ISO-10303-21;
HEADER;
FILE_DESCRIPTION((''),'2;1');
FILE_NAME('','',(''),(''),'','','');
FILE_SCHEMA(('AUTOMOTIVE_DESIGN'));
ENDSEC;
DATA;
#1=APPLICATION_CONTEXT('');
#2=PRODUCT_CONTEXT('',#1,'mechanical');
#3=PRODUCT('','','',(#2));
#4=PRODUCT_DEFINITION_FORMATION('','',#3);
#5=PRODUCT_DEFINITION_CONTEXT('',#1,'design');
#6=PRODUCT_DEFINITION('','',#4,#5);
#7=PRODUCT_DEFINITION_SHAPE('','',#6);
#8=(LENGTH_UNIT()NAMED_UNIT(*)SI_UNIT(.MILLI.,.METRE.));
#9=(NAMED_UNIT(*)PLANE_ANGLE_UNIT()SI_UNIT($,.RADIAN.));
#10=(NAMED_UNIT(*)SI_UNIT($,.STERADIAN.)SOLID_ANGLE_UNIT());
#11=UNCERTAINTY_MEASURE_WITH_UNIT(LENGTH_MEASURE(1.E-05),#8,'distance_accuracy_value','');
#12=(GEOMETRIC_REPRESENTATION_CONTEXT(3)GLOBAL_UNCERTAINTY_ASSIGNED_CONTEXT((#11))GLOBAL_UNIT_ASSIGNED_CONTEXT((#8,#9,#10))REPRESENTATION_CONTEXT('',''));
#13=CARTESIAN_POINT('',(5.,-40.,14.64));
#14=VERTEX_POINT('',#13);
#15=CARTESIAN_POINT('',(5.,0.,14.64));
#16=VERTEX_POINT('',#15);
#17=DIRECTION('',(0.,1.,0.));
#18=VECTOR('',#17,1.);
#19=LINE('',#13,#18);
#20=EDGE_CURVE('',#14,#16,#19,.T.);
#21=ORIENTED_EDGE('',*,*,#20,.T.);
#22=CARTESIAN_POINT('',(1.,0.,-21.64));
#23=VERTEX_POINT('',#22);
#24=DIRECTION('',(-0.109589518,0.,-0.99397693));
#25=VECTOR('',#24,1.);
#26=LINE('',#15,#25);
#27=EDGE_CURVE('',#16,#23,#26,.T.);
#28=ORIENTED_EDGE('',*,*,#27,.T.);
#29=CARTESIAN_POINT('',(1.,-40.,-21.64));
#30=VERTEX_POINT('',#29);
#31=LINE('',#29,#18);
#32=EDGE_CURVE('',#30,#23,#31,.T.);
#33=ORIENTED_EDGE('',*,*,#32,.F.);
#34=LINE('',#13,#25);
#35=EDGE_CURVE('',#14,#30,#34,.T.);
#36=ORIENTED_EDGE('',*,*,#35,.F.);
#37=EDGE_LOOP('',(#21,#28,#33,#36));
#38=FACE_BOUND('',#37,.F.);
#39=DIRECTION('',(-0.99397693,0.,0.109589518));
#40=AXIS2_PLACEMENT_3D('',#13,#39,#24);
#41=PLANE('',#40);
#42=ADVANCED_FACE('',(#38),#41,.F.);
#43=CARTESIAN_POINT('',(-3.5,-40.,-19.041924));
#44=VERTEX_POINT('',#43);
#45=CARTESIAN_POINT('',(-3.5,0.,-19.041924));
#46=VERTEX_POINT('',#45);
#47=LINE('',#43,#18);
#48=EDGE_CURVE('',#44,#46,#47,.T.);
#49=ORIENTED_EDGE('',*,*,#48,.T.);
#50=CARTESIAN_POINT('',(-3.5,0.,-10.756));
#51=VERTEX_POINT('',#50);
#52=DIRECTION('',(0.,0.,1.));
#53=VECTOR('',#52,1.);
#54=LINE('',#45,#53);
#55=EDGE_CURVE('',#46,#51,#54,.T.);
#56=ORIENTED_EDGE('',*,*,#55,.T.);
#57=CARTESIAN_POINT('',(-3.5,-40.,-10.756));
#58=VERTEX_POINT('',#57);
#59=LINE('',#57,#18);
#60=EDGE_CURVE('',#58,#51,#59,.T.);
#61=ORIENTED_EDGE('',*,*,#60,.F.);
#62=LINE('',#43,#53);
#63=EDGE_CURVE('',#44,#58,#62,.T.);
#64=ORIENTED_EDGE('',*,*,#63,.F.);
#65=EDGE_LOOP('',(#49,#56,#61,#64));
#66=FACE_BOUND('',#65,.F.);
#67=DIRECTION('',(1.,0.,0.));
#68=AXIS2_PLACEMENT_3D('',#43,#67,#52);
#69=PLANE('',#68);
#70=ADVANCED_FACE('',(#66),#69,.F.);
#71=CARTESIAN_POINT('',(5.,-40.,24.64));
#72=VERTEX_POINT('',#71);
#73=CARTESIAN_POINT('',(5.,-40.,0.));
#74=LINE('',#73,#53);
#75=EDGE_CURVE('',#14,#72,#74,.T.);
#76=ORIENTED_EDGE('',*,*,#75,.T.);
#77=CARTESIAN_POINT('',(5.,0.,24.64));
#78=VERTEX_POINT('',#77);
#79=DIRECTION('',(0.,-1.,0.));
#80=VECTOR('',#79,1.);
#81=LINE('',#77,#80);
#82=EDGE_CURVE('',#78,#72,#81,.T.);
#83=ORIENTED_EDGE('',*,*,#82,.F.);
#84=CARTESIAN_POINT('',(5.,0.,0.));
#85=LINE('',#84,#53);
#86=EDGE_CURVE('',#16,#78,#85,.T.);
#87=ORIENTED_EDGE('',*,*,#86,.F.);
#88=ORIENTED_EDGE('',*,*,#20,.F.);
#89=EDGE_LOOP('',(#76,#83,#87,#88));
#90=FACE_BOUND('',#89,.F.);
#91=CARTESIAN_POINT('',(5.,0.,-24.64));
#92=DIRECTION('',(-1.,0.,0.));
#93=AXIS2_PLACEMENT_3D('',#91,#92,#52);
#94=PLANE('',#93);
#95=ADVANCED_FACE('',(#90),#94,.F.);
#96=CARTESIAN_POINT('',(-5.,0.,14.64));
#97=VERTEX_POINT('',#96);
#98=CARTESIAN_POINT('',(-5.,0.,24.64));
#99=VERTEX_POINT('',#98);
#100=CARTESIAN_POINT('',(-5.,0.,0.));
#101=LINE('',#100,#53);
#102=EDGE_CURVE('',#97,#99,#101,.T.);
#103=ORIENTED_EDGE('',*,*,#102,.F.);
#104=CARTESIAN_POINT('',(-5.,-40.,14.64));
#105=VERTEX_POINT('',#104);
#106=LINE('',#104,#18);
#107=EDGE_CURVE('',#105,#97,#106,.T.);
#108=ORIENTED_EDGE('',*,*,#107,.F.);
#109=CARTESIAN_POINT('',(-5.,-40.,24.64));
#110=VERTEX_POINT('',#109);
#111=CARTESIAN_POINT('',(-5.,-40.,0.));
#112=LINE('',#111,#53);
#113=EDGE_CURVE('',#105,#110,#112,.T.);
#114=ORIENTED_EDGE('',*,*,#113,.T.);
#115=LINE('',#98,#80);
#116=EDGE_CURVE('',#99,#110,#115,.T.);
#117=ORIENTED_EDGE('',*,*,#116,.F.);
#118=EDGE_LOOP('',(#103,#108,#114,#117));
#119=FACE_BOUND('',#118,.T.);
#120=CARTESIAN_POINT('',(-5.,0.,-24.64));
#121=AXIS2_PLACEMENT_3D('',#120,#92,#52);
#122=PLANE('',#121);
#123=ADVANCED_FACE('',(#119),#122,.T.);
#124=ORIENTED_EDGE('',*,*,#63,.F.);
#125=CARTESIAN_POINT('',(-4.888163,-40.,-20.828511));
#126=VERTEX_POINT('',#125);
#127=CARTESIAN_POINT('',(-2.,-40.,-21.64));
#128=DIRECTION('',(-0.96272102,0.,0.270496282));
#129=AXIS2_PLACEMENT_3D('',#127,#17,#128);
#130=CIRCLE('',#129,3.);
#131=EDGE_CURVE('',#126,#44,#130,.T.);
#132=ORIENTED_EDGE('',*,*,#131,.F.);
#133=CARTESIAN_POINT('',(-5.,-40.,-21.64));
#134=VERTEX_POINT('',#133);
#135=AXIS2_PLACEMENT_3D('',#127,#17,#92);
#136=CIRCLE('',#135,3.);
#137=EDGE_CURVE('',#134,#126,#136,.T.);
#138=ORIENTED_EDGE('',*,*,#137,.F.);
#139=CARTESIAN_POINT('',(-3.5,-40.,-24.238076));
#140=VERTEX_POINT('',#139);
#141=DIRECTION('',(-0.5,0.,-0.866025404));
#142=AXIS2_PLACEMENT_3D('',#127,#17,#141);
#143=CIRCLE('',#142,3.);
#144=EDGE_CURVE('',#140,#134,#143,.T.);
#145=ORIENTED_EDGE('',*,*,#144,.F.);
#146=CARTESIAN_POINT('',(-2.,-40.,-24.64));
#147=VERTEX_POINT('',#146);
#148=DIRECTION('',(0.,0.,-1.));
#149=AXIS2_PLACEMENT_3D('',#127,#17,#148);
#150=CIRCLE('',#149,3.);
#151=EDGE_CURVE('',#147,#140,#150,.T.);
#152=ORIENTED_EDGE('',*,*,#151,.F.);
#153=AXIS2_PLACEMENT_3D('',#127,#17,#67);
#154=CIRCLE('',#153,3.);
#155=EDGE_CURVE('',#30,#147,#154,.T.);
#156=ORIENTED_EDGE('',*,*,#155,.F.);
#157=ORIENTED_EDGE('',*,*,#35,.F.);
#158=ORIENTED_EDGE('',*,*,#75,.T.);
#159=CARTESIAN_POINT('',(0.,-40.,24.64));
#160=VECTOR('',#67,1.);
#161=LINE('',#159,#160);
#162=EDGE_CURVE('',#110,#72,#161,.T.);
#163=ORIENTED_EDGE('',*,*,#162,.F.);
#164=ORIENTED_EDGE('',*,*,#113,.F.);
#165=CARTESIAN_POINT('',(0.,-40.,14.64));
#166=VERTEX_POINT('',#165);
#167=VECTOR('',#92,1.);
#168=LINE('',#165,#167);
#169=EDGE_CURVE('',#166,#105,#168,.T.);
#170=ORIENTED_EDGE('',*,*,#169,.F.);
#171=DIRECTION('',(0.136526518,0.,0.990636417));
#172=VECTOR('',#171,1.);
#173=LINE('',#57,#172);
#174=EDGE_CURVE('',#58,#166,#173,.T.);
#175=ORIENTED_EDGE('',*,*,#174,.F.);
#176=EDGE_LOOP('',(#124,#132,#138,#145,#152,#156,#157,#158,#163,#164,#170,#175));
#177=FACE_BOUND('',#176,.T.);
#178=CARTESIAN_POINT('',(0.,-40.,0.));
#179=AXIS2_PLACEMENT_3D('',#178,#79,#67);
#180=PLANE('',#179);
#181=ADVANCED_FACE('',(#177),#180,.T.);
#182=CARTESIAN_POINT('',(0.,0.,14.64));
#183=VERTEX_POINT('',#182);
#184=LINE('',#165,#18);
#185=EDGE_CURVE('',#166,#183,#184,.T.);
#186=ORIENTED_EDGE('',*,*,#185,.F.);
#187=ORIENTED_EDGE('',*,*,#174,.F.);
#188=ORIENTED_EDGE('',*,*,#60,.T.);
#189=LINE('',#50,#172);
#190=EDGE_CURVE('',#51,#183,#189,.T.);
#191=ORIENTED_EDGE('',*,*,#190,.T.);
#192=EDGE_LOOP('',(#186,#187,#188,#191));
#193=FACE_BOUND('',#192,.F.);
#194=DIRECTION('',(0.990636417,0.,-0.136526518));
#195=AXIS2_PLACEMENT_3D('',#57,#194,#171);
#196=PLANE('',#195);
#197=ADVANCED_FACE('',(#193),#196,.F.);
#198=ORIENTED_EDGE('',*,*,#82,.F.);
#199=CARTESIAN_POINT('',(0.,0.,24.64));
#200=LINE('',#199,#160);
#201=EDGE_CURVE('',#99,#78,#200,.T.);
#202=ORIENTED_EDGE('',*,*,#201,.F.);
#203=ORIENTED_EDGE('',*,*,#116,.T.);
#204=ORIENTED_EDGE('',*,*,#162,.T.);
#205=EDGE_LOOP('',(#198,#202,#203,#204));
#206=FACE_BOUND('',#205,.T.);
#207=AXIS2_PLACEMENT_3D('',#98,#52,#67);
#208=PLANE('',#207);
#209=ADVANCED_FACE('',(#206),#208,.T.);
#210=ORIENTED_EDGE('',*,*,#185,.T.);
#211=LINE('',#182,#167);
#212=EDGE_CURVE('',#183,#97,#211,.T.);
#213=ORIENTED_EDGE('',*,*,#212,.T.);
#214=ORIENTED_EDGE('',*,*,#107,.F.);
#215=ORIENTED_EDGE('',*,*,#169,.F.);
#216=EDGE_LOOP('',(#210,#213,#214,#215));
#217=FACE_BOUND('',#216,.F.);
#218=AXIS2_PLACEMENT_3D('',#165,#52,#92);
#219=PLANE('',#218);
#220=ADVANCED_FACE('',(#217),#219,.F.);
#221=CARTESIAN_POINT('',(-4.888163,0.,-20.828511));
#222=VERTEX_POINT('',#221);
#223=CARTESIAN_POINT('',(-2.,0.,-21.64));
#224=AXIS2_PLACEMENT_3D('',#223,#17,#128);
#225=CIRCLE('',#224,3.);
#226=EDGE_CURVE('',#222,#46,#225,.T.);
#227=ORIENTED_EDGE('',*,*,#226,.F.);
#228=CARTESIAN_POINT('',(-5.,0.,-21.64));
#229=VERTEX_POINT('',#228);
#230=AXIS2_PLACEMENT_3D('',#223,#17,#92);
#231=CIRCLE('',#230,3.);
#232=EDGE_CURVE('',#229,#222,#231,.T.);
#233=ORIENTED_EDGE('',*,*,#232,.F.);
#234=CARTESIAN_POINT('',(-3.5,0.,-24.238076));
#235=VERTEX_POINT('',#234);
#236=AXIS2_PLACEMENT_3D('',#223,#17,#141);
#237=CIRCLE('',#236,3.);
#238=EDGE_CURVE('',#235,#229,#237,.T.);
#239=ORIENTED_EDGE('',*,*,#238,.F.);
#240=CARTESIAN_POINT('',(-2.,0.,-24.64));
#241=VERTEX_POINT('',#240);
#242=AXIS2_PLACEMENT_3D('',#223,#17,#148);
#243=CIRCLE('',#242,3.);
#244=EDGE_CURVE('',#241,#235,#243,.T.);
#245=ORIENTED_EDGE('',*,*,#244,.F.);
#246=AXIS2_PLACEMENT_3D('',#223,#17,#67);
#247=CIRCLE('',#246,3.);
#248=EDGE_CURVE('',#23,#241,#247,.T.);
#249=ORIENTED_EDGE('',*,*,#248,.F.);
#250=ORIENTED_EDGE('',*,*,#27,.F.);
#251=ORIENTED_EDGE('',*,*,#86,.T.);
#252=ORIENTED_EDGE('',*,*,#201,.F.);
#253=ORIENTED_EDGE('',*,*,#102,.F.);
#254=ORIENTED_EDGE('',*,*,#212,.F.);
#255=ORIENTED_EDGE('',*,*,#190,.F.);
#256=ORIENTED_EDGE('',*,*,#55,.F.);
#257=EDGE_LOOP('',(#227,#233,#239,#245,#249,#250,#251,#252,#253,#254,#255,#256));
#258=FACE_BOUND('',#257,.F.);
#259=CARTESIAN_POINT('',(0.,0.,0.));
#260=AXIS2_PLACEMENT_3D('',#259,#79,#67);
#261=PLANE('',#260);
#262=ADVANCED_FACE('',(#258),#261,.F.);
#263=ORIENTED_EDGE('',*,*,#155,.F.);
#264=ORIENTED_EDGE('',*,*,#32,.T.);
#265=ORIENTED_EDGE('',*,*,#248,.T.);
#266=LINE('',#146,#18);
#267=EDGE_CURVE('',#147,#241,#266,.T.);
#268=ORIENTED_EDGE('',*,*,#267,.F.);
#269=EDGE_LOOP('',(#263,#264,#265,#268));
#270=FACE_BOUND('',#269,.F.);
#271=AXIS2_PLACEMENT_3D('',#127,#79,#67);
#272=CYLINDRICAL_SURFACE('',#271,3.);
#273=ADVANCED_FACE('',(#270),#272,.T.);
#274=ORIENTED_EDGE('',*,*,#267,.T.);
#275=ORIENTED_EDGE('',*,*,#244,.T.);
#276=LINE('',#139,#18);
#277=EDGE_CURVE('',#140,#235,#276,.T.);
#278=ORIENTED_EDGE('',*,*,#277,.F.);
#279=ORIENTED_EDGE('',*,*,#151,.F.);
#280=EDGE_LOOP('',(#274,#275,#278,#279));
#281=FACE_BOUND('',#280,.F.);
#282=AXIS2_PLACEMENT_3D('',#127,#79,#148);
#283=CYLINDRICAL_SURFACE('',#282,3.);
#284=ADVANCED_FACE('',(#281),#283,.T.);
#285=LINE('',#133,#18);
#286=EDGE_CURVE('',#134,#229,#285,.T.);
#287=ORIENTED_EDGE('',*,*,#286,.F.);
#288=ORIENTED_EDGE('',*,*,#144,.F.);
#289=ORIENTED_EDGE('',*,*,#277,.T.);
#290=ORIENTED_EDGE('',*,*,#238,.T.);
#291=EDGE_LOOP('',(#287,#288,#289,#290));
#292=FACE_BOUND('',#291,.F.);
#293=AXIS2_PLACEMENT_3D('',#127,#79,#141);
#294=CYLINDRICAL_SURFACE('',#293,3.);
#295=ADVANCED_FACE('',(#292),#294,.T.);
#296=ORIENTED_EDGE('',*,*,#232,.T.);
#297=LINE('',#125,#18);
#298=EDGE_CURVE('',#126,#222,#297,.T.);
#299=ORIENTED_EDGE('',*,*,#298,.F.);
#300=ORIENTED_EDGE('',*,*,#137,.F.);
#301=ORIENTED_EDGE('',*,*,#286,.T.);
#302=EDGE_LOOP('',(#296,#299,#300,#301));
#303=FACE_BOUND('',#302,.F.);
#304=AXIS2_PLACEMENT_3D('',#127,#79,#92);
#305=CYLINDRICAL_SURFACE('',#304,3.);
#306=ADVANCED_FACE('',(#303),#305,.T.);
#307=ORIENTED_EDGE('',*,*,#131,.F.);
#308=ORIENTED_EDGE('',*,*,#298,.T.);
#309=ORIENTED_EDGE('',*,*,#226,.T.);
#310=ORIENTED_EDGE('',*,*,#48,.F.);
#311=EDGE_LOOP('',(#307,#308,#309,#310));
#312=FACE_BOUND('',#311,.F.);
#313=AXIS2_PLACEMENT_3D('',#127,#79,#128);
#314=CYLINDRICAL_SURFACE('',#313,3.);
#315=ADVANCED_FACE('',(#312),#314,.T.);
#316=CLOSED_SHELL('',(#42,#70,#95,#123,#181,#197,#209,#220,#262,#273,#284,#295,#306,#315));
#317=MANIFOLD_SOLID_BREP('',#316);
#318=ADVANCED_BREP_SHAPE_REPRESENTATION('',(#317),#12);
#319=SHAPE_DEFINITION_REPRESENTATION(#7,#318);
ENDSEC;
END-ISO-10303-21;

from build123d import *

# Parameters (mm, degrees)
F0_W     = 10
F0_H     = 49.28
F1_DEPTH = 40
F3_DEPTH = 40


with BuildPart() as f1:
    # F0 (on Front) → F1 (new body)
    with BuildSketch(Plane.XZ):
        Rectangle(F0_W, F0_H)
    extrude(amount=F1_DEPTH)

    # F2 (on face) → F3 (cut)
    with BuildSketch(Plane.XZ.offset(40)):
        with BuildLine():
            Line((5, -24.64), (5, 14.64))
            Line((5, 14.64), (1, -21.64))
            ThreePointArc((1, -21.64), (0.1213203436, -23.7613203436), (-2, -24.64))
            Line((-2, -24.64), (5, -24.64))
        make_face()
        with BuildLine():
            ThreePointArc((-3.5, -24.2380762114), (-4.5980762114, -23.14), (-5, -21.64))
            add(Edge.make_bspline(
                [(-5, -21.64), (-5, -22.64), (-5, -23.64), (-5, -24.64)],
                knots=[36.28, 36.28, 36.28, 36.28, 39.28, 39.28, 39.28, 39.28], degree=3))
            Line((-5, -24.64), (-3.5, -24.64))
            Line((-3.5, -24.64), (-3.5, -24.2380762114))
        make_face()
        with BuildLine():
            ThreePointArc((-2, -24.64), (-2.7764571353, -24.5377774789), (-3.5, -24.2380762114))
            Line((-3.5, -24.2380762114), (-3.5, -24.64))
            Line((-3.5, -24.64), (-2, -24.64))
        make_face()
        with BuildLine():
            Line((-3.5, -10.756), (-4.8881630589, -20.8285111551))
            ThreePointArc((-4.8881630589, -20.8285111551), (-4.3689591306, -19.7993390758), (-3.5, -19.0419237886))
            Line((-3.5, -19.0419237886), (-3.5, -10.756))
        make_face()
        with BuildLine():
            Line((0, 14.64), (-5, 14.64))
            add(Edge.make_bspline(
                [(-5, 14.64), (-5, 2.5466666667), (-5, -9.5466666667), (-5, -21.64)],
                knots=[0, 0, 0, 0, 36.28, 36.28, 36.28, 36.28], degree=3))
            ThreePointArc((-5, -21.64), (-4.9719092497, -21.2304204452), (-4.8881630589, -20.8285111551))
            Line((-4.8881630589, -20.8285111551), (-3.5, -10.756))
            Line((-3.5, -10.756), (0, 14.64))
        make_face()
    extrude(amount=-F3_DEPTH, mode=Mode.SUBTRACT)


solid = f1.part
